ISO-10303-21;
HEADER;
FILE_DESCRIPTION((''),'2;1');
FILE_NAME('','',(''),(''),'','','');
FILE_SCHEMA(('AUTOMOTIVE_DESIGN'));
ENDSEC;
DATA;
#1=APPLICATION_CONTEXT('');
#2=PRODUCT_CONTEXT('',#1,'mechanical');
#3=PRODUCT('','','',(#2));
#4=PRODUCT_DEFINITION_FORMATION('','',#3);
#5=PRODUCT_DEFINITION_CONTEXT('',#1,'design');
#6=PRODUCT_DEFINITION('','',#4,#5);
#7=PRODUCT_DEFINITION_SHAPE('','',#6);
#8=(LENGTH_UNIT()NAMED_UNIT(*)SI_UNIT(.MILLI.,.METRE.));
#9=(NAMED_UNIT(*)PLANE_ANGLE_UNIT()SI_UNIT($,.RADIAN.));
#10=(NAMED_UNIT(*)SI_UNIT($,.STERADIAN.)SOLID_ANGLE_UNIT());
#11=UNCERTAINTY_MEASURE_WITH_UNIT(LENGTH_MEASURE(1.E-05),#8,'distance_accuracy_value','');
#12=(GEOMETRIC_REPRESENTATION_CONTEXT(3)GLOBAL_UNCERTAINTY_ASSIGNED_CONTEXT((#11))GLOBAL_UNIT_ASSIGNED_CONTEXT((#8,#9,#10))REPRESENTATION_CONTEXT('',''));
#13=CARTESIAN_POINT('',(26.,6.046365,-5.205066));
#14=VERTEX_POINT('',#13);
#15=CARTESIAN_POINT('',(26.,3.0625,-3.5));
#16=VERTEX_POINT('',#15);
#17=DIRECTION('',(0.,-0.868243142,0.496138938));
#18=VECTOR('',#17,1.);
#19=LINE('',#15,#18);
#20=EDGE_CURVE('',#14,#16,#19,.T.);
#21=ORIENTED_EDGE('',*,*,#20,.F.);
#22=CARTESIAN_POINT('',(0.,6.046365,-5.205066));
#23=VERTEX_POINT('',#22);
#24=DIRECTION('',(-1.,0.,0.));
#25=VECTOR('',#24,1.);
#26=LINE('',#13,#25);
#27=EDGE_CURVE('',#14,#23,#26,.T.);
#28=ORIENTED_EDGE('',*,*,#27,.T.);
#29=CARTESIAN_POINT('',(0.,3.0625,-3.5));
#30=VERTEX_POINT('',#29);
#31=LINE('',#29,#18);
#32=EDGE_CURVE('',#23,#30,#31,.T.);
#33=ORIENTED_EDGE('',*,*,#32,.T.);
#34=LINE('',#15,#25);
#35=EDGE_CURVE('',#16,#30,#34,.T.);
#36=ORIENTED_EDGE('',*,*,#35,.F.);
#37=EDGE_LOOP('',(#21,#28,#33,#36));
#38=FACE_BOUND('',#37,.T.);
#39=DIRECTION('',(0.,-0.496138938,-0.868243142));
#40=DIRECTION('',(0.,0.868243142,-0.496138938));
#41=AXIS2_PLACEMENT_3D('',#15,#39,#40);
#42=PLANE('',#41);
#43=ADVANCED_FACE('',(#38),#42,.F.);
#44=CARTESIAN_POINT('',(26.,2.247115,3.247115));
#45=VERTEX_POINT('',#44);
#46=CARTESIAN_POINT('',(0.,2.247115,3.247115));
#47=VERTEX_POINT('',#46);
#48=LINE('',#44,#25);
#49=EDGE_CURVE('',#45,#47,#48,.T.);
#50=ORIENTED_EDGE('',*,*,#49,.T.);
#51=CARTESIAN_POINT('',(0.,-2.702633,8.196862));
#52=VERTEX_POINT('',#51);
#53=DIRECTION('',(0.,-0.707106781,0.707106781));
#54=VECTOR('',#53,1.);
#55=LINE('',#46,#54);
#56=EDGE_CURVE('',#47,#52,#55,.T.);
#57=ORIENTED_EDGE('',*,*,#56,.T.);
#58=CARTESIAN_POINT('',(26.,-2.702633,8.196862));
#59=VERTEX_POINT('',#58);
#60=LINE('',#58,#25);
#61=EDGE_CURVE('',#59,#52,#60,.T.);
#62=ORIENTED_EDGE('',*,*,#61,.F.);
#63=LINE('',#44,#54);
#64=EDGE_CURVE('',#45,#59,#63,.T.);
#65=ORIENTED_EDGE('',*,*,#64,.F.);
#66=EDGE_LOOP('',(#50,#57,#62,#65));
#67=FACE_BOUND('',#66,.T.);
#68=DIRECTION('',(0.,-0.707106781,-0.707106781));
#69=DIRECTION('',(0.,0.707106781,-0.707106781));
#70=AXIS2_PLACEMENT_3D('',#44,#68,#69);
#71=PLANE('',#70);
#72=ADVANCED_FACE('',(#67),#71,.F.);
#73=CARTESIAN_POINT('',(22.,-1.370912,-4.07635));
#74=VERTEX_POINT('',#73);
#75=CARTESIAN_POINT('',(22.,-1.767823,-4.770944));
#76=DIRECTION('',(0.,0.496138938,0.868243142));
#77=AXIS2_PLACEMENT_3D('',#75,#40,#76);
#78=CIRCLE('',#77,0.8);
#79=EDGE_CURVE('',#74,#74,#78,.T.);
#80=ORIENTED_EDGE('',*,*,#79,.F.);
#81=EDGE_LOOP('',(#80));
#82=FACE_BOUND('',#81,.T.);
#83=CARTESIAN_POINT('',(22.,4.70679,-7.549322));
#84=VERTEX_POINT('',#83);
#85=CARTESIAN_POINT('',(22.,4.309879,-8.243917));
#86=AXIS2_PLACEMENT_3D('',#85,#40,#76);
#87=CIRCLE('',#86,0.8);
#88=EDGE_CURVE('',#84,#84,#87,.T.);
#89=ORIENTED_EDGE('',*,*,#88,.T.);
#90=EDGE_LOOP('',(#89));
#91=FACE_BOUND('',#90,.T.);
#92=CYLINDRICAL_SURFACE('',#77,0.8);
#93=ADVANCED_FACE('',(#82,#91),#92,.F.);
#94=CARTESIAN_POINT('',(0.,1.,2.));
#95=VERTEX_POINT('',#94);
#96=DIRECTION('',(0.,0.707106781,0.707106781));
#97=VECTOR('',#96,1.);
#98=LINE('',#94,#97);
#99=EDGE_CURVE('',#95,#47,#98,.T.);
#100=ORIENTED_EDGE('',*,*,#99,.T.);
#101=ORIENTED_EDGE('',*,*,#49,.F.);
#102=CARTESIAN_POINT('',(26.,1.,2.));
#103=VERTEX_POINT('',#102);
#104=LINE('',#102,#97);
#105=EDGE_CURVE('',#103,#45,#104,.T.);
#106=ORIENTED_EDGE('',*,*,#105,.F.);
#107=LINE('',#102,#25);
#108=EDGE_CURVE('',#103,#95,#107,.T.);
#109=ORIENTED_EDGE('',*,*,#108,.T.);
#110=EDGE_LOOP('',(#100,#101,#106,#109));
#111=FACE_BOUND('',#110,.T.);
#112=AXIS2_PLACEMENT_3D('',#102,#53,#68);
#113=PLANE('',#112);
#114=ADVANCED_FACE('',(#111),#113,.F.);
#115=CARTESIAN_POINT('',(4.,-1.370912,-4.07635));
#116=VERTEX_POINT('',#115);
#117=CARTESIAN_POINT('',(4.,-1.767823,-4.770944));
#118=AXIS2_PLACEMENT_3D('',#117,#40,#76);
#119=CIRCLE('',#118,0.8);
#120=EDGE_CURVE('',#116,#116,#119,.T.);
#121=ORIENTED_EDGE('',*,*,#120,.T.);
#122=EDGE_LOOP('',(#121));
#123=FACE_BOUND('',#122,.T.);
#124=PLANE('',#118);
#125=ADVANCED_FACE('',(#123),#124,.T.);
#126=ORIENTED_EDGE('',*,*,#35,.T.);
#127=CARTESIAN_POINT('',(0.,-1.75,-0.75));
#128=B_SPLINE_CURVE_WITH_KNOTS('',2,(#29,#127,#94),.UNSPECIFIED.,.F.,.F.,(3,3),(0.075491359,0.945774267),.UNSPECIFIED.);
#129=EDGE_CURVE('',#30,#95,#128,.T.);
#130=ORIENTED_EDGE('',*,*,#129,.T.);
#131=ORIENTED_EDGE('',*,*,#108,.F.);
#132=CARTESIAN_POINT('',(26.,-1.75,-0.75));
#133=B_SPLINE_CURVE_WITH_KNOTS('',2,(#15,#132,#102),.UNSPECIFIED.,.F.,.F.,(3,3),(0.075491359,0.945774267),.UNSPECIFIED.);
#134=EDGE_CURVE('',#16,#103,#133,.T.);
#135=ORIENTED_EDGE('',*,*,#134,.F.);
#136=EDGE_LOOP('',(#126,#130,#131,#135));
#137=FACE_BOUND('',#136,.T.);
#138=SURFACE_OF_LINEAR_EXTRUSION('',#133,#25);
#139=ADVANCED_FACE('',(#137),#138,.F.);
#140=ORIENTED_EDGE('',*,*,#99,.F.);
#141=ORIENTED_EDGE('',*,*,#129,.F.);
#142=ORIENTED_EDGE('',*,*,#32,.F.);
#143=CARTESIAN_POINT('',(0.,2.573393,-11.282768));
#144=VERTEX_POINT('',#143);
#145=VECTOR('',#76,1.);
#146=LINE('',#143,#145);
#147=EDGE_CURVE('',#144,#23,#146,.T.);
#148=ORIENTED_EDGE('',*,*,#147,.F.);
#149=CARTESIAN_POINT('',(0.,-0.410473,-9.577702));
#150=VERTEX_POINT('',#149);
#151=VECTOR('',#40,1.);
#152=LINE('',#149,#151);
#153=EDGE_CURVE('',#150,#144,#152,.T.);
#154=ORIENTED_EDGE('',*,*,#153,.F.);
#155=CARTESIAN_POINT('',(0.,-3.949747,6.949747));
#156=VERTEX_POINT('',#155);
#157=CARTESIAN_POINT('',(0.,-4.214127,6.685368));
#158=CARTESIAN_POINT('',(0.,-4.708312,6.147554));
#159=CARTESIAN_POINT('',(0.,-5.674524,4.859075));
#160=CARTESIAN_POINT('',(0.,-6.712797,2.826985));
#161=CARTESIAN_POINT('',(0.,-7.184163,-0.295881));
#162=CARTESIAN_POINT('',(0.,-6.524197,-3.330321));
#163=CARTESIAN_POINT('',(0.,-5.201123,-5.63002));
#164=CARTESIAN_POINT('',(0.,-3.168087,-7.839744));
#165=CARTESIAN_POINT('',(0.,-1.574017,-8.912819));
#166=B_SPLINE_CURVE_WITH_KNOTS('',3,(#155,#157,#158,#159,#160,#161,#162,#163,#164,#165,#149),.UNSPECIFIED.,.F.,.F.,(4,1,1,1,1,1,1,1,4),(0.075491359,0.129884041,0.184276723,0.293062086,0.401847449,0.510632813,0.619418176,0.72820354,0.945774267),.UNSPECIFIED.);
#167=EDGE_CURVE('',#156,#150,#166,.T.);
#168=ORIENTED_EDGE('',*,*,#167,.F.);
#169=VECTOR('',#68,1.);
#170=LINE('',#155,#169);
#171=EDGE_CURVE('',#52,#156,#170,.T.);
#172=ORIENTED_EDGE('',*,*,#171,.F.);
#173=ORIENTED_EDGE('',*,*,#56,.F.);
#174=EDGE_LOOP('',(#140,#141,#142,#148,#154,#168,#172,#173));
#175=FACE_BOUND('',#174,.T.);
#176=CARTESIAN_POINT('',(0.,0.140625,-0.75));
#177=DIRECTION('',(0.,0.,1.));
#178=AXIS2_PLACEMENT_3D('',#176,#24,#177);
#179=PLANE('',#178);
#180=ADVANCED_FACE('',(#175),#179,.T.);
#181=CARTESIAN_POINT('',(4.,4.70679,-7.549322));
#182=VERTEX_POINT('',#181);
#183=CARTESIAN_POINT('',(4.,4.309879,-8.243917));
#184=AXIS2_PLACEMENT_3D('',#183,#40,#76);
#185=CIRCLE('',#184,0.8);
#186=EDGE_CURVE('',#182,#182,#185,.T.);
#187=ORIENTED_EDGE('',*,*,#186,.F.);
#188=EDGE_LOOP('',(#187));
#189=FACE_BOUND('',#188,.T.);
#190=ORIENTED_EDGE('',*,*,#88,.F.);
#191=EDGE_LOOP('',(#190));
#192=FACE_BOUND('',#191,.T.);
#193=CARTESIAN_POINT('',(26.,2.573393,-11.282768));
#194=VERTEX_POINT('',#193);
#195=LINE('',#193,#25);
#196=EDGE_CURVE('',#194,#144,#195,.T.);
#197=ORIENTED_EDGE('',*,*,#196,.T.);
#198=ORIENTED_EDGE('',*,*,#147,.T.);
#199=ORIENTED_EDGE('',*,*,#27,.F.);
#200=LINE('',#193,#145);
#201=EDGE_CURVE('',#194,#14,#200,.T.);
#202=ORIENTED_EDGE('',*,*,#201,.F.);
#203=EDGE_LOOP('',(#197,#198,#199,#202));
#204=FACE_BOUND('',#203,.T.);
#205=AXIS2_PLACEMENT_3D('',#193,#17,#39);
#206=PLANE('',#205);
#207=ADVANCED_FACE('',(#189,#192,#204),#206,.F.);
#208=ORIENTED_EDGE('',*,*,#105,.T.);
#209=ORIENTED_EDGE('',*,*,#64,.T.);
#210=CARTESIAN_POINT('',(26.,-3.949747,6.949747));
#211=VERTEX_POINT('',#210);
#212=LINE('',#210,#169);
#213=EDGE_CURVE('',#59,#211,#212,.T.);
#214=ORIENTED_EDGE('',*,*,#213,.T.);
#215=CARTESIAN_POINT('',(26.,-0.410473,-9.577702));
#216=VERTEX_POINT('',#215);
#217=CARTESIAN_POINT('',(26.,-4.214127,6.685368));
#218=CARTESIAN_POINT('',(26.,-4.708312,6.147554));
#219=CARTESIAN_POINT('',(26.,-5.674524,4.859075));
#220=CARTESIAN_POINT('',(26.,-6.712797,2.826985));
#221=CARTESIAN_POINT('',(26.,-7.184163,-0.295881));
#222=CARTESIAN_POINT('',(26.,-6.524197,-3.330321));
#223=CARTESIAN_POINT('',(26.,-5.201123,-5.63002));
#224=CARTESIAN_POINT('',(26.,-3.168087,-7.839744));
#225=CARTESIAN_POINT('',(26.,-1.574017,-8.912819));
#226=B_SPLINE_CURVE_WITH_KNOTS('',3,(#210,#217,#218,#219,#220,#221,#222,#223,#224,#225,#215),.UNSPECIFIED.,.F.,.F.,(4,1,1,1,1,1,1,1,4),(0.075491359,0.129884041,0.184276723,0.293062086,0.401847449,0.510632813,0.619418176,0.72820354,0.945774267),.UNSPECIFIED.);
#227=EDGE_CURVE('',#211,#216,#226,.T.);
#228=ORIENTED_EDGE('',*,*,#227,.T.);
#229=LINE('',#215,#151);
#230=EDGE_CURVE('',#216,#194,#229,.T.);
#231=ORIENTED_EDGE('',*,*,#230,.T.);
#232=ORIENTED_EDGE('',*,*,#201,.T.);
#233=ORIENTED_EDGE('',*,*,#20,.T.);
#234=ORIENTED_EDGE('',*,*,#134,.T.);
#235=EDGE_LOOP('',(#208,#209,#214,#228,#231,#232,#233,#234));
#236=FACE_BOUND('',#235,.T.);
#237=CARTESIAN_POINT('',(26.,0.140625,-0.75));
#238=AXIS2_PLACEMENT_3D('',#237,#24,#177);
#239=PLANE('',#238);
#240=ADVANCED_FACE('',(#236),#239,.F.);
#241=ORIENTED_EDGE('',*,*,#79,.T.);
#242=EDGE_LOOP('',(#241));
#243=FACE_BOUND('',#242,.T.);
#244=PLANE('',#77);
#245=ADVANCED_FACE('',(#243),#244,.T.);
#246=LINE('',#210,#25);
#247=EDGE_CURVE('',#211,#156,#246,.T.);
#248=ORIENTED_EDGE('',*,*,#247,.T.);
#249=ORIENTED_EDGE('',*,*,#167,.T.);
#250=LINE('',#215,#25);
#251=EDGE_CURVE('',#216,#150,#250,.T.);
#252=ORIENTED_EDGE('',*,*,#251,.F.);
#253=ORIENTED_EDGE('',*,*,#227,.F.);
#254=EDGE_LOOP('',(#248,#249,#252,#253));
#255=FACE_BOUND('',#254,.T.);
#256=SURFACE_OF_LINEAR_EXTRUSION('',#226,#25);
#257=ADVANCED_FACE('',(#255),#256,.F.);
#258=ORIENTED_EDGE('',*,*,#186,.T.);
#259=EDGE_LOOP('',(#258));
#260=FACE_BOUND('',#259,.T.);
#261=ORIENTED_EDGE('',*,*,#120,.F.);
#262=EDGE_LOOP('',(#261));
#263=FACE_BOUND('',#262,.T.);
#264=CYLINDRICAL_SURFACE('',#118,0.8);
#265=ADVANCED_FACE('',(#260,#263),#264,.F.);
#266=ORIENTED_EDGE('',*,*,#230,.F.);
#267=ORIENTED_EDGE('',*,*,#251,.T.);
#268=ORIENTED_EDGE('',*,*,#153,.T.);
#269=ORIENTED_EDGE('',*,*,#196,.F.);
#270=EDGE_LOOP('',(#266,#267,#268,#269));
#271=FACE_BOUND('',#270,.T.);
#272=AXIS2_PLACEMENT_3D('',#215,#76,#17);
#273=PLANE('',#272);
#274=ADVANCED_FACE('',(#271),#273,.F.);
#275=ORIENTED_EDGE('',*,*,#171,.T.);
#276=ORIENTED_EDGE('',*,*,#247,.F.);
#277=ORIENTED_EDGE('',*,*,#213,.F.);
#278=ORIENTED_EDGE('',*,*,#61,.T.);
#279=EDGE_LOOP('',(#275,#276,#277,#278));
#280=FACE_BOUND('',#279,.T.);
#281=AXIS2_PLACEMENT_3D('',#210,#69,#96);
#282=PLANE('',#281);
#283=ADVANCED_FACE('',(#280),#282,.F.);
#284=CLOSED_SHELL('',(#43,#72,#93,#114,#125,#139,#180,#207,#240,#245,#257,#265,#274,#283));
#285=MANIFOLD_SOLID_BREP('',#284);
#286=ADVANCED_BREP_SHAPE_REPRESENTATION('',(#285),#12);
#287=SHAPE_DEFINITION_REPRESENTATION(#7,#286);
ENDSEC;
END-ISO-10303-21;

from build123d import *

# Parameters (mm, degrees)
BOSS_EXTRUDE1_DEPTH = 26
SKETCH3_R           = 0.8
CUT_EXTRUDE1_DEPTH  = 7


with BuildPart() as part:
    # Sketch1 → Boss-Extrude1 (new body)
    with BuildSketch(Plane(origin=(0, 0, 0), x_dir=(0, 0, -1), z_dir=(1, 0, 0))):
        with BuildLine():
            Line((3.5, 3.0625), (5.205065915, 6.046365351))
            Line((5.205065915, 6.046365351), (11.28276791, 2.573392782))
            Line((11.28276791, 2.573392782), (9.577701995, -0.410472568))
            add(Edge.make_bspline(
                [(-6.949747468, -3.949747468), (-6.685368266, -4.214126671), (-6.147554271, -4.708312104), (-4.8590745, -5.674523534), (-2.826984501, -6.712797376), (0.295880791, -7.18416331), (3.330320935, -6.524197206), (5.630020015, -5.201123324), (7.839744032, -3.168086519), (8.912819335, -1.574017223), (9.577701995, -0.410472568)],
                knots=[0.075491359, 0.075491359, 0.075491359, 0.075491359, 0.129884041, 0.184276723, 0.293062086, 0.401847449, 0.510632813, 0.619418176, 0.72820354, 0.945774267, 0.945774267, 0.945774267, 0.945774267], degree=3))
            Line((-6.949747468, -3.949747468), (-8.196862299, -2.702632638))
            Line((-8.196862299, -2.702632638), (-3.24711483, 2.24711483))
            Line((-3.24711483, 2.24711483), (-2, 1))
            add(Edge.make_bspline(
                [(-2, 1), (0.75, -1.75), (3.5, 3.0625)],
                knots=[0.075491359, 0.075491359, 0.075491359, 0.945774267, 0.945774267, 0.945774267], degree=2))
        make_face()
    extrude(amount=BOSS_EXTRUDE1_DEPTH)

    # Sketch3 → Cut-Extrude1 (cut)
    with BuildSketch(Plane(origin=(0, 7.641933234, -2.41282212), x_dir=(1, 0, 0), z_dir=(0, 0.868243142, -0.496138938))):
        with Locations((4, 6.715969882)):
            Circle(SKETCH3_R)
        with Locations((22, 6.715969882)):
            Circle(SKETCH3_R)
    extrude(amount=-CUT_EXTRUDE1_DEPTH, mode=Mode.SUBTRACT)


solid = part.part
